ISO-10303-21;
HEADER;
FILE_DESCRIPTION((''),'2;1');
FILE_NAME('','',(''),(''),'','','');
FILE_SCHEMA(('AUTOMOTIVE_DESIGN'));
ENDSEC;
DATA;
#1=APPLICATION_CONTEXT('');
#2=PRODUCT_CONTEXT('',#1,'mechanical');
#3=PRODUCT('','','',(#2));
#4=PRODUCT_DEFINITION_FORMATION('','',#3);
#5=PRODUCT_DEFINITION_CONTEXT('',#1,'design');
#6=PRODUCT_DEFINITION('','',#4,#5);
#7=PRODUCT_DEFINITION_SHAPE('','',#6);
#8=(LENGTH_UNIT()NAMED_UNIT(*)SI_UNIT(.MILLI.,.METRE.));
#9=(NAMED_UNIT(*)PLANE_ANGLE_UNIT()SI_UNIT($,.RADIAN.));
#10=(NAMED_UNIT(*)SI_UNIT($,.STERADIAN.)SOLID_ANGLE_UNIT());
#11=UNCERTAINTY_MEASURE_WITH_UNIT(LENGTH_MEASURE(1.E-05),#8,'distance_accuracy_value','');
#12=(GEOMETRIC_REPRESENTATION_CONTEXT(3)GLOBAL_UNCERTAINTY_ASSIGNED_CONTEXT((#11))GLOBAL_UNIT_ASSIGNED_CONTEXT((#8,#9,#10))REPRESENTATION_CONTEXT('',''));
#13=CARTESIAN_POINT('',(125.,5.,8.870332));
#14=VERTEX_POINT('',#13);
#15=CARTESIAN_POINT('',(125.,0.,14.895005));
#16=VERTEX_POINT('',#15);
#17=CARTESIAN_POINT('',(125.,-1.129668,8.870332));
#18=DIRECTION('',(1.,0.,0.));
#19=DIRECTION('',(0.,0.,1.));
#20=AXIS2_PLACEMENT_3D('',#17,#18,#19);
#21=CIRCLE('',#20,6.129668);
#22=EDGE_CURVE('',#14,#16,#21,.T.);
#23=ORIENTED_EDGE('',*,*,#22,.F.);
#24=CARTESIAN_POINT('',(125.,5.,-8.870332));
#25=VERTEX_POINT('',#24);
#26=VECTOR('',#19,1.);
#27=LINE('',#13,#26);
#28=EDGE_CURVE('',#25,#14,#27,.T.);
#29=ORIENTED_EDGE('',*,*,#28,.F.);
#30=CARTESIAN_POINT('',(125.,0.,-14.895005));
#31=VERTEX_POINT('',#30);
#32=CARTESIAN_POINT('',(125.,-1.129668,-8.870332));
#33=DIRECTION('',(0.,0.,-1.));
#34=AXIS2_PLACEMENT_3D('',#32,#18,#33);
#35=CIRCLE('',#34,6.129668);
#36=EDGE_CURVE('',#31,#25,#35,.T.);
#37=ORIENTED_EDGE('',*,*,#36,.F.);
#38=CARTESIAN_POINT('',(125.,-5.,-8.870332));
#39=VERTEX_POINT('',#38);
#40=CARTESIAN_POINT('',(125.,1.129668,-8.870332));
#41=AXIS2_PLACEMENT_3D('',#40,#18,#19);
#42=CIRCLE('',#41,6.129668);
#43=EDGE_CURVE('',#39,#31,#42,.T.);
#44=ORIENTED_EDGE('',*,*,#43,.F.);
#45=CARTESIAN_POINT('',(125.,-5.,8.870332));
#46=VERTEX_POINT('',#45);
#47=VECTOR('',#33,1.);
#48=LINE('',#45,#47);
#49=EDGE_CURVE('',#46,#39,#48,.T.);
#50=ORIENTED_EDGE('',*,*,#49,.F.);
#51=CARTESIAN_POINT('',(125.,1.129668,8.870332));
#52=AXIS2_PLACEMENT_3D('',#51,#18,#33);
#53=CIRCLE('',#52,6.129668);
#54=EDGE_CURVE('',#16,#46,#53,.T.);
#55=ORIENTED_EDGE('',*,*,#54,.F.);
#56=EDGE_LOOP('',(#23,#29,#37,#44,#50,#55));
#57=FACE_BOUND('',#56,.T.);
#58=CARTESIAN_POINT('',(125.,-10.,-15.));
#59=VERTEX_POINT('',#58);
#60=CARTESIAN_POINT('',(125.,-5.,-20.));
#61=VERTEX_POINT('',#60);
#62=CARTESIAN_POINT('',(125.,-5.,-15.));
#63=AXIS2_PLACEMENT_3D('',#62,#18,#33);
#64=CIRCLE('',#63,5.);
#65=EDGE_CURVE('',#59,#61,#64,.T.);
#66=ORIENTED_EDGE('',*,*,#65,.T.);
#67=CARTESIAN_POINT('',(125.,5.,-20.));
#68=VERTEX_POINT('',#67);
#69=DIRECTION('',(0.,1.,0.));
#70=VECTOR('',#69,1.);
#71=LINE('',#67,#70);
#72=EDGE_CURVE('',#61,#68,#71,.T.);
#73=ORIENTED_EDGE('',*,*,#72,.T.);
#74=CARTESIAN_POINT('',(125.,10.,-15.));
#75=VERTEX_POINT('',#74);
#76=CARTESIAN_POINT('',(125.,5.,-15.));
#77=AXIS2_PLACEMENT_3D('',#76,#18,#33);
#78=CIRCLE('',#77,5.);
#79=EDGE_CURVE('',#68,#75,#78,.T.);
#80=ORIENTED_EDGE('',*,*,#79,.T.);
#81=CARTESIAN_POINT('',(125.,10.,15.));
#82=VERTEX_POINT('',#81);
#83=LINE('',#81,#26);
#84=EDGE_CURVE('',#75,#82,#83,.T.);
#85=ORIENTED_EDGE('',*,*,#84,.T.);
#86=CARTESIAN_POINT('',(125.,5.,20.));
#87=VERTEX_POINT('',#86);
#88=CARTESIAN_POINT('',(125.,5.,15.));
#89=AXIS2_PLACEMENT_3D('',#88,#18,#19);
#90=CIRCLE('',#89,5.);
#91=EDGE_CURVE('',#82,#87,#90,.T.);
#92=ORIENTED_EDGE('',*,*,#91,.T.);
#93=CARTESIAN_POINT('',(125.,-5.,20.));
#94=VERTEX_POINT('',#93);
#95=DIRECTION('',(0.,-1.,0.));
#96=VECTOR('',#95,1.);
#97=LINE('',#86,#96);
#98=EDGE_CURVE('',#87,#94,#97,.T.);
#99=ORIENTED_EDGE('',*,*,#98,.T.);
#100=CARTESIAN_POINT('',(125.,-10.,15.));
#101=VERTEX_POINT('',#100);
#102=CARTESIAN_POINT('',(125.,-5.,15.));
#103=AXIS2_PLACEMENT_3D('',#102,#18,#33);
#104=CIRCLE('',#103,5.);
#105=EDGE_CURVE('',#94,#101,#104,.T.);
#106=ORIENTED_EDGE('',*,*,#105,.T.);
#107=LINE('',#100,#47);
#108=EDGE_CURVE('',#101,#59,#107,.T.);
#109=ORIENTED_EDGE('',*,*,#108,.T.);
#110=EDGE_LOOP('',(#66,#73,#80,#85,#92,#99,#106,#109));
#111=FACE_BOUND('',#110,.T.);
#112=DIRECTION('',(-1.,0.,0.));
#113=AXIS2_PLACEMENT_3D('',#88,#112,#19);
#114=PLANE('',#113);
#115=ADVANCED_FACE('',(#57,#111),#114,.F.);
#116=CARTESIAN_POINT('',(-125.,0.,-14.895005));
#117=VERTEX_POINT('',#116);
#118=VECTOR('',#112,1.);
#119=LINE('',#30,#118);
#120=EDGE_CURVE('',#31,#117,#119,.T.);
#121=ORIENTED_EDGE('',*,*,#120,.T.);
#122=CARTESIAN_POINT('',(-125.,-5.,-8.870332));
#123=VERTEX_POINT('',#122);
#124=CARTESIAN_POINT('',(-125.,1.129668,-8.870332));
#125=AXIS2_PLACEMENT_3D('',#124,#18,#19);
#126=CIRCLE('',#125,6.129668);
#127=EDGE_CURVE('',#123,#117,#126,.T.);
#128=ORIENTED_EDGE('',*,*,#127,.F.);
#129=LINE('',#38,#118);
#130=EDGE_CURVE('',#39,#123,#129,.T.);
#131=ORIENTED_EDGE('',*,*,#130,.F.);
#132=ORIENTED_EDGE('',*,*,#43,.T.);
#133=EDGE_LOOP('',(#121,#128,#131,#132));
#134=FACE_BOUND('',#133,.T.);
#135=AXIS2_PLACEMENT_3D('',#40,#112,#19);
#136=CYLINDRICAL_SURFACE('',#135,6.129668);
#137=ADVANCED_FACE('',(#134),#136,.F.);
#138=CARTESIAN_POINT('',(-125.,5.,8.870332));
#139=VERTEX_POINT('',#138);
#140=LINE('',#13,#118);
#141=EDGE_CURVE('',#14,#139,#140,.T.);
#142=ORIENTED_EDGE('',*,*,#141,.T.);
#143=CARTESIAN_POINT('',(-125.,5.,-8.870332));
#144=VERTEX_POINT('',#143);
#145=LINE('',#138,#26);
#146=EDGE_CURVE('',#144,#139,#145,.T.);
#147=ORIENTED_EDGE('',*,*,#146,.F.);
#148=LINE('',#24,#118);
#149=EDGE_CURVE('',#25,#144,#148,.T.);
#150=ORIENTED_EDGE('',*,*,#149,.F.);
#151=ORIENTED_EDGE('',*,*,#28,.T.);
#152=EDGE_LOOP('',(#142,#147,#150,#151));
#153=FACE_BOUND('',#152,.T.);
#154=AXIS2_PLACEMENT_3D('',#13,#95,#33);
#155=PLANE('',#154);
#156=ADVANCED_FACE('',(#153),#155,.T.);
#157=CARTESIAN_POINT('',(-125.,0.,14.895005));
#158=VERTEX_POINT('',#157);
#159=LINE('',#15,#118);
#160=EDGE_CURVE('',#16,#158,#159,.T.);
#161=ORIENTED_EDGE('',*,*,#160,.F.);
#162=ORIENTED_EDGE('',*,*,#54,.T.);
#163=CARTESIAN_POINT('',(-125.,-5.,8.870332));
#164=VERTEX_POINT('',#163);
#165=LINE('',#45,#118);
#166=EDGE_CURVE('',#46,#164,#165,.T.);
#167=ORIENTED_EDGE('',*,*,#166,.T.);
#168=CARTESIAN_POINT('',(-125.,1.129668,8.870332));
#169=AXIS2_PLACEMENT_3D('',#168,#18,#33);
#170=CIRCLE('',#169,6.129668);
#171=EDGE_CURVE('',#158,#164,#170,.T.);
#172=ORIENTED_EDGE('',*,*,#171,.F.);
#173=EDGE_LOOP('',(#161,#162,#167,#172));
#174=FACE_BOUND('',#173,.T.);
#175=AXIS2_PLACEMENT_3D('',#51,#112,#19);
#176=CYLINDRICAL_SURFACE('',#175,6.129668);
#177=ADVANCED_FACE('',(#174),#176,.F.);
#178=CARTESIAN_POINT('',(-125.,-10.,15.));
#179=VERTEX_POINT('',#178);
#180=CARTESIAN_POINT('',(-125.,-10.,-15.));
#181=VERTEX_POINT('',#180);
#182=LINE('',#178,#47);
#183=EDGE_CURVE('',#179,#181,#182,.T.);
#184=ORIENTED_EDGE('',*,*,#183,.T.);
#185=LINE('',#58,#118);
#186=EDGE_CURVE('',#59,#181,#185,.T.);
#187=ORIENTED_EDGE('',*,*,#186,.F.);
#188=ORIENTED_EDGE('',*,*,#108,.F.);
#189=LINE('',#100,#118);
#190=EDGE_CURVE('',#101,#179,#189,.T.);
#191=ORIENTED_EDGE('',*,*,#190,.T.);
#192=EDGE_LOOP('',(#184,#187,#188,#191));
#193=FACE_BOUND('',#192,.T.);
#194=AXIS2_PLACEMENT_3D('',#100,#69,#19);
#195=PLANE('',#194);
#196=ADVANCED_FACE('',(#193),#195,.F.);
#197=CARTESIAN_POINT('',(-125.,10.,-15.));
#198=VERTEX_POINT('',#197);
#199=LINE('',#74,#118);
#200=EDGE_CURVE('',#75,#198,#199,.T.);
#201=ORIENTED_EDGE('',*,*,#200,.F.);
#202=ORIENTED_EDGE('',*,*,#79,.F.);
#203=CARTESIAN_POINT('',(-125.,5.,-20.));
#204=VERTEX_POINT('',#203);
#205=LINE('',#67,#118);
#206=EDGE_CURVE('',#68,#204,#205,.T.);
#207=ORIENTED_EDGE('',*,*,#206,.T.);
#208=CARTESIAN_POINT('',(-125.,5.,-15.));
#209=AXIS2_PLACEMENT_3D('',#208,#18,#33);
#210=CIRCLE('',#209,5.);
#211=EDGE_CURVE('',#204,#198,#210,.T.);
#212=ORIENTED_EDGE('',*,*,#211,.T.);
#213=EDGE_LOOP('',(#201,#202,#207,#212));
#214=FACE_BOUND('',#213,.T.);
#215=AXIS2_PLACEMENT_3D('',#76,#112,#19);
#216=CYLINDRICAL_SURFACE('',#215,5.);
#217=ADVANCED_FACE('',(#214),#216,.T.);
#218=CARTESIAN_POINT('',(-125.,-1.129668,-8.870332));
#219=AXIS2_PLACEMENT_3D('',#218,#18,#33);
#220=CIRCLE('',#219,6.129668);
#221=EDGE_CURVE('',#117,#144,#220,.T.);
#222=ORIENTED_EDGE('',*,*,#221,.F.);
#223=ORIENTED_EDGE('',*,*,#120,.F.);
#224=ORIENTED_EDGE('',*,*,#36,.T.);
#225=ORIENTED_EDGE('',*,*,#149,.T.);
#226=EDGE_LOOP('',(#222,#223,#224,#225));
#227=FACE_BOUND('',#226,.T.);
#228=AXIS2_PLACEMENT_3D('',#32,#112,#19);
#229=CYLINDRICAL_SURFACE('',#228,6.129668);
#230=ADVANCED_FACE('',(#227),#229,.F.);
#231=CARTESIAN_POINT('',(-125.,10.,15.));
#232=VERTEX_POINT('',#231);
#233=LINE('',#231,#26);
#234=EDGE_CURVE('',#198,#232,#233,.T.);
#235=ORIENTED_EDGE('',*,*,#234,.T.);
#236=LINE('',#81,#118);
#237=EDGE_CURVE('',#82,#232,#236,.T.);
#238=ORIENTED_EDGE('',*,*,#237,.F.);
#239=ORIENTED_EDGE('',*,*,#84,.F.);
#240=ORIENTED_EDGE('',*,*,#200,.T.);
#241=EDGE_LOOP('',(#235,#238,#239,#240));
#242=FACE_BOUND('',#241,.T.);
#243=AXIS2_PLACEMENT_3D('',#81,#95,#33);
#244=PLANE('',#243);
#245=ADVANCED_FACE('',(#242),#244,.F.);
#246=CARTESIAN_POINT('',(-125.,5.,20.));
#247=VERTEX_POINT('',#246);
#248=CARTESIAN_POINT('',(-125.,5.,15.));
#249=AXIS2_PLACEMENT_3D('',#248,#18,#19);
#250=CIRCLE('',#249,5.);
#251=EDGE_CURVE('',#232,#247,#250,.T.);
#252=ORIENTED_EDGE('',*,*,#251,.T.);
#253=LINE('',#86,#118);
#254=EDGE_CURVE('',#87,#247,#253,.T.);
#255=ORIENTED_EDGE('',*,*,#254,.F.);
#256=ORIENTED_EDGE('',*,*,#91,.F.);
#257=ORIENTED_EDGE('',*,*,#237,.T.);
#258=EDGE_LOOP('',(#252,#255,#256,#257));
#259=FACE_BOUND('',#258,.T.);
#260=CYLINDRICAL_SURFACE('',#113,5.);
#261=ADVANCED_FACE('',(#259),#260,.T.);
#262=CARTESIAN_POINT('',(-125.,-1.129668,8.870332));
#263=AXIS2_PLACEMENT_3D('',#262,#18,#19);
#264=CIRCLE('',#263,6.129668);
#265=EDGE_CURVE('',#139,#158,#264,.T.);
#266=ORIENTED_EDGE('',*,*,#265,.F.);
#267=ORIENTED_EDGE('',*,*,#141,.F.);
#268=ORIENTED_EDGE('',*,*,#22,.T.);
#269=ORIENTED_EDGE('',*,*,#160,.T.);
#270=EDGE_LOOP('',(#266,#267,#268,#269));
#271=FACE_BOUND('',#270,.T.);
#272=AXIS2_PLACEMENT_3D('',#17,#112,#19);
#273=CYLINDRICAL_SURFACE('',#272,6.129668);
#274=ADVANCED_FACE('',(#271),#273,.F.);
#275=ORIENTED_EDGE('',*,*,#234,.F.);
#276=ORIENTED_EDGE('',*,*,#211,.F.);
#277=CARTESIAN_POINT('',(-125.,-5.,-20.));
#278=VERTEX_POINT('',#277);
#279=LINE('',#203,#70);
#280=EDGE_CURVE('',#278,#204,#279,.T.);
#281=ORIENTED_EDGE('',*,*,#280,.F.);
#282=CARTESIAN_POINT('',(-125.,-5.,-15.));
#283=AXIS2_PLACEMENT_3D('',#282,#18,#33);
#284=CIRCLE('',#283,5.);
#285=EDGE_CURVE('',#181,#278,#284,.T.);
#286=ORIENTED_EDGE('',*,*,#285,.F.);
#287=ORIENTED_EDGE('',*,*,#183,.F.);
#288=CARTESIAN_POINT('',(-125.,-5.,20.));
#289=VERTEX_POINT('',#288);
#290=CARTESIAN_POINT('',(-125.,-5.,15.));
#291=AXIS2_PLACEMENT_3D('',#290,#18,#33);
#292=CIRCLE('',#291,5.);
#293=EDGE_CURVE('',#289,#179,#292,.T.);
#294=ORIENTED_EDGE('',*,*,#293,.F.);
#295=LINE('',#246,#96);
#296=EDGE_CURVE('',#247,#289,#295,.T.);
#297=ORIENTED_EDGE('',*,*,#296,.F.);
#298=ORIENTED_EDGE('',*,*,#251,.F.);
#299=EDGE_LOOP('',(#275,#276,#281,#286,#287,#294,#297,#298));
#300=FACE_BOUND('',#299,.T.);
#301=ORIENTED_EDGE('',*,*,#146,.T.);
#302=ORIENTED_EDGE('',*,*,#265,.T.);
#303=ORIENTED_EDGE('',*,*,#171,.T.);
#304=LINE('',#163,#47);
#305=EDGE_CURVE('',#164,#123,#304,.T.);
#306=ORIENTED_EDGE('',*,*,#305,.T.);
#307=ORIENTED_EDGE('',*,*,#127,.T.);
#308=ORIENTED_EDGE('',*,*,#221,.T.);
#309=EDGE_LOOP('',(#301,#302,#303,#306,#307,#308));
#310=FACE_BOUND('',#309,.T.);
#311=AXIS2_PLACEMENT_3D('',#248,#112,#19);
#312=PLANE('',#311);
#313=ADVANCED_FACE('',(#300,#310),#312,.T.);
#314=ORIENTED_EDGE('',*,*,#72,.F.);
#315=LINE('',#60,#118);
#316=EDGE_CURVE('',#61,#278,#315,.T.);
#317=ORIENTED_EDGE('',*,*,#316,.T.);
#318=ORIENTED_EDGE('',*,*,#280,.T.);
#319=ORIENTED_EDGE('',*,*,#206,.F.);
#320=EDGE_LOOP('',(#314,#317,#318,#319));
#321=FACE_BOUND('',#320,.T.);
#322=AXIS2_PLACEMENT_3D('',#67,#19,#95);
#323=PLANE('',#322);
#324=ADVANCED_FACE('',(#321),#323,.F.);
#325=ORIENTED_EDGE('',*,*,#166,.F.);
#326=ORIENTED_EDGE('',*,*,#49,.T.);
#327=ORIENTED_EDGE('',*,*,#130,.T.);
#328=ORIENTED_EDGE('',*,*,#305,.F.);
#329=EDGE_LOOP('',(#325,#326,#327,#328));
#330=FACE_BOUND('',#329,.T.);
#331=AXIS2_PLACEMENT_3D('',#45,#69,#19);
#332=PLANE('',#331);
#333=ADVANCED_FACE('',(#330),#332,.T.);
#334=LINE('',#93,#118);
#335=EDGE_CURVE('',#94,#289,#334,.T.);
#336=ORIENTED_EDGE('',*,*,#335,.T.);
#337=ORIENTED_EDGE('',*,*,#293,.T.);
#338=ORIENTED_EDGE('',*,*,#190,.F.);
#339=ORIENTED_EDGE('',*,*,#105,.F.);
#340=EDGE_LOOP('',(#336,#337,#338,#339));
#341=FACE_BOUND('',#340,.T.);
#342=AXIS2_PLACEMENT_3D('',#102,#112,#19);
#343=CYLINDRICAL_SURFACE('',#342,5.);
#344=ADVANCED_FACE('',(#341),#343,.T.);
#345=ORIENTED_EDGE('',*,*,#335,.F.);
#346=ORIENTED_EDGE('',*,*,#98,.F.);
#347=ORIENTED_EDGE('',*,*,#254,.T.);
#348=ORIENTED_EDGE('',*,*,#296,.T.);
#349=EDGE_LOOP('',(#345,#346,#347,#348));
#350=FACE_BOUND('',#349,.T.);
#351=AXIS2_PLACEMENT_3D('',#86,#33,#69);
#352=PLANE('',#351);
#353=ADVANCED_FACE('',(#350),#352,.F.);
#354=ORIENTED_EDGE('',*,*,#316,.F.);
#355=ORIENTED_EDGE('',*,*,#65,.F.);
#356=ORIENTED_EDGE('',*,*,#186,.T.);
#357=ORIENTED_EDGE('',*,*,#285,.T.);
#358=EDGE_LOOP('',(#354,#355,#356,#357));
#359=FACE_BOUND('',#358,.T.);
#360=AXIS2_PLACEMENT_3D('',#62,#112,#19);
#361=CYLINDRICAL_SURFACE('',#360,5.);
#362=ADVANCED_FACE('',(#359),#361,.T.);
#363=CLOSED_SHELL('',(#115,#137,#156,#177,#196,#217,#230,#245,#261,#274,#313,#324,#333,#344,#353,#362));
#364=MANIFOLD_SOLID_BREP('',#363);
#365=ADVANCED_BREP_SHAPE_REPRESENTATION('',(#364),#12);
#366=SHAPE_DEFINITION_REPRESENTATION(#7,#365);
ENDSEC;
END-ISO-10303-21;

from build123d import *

# Parameters (mm, degrees)
BOSS_EXTRUDE1_DEPTH = 125


with BuildPart() as part:
    # Sketch1 → Boss-Extrude1 (new, symmetric)
    with BuildSketch(Plane(origin=(0, 0, 0), x_dir=(0, 0, -1), z_dir=(1, 0, 0))):
        with BuildLine():
            Line((-15, 10), (15, 10))
            ThreePointArc((15, 10), (18.535533906, 8.535533906), (20, 5))
            Line((20, 5), (20, -5))
            ThreePointArc((20, -5), (18.535533906, -8.535533906), (15, -10))
            Line((15, -10), (-15, -10))
            ThreePointArc((-15, -10), (-18.535533906, -8.535533906), (-20, -5))
            Line((-20, -5), (-20, 5))
            ThreePointArc((-20, 5), (-18.535533906, 8.535533906), (-15, 10))
        make_face()
        with BuildLine():
            Line((-8.870332019, 5), (8.870332019, 5))
            ThreePointArc((8.870332019, 5), (12.784941828, 3.587180501), (14.895004608, 0))
            ThreePointArc((14.895004608, 0), (12.784941828, -3.587180501), (8.870332019, -5))
            Line((8.870332019, -5), (-8.870332019, -5))
            ThreePointArc((-8.870332019, -5), (-12.784941828, -3.587180501), (-14.895004608, 0))
            ThreePointArc((-14.895004608, 0), (-12.784941828, 3.587180501), (-8.870332019, 5))
        make_face(mode=Mode.SUBTRACT)
    extrude(amount=BOSS_EXTRUDE1_DEPTH, both=True)


solid = part.part
